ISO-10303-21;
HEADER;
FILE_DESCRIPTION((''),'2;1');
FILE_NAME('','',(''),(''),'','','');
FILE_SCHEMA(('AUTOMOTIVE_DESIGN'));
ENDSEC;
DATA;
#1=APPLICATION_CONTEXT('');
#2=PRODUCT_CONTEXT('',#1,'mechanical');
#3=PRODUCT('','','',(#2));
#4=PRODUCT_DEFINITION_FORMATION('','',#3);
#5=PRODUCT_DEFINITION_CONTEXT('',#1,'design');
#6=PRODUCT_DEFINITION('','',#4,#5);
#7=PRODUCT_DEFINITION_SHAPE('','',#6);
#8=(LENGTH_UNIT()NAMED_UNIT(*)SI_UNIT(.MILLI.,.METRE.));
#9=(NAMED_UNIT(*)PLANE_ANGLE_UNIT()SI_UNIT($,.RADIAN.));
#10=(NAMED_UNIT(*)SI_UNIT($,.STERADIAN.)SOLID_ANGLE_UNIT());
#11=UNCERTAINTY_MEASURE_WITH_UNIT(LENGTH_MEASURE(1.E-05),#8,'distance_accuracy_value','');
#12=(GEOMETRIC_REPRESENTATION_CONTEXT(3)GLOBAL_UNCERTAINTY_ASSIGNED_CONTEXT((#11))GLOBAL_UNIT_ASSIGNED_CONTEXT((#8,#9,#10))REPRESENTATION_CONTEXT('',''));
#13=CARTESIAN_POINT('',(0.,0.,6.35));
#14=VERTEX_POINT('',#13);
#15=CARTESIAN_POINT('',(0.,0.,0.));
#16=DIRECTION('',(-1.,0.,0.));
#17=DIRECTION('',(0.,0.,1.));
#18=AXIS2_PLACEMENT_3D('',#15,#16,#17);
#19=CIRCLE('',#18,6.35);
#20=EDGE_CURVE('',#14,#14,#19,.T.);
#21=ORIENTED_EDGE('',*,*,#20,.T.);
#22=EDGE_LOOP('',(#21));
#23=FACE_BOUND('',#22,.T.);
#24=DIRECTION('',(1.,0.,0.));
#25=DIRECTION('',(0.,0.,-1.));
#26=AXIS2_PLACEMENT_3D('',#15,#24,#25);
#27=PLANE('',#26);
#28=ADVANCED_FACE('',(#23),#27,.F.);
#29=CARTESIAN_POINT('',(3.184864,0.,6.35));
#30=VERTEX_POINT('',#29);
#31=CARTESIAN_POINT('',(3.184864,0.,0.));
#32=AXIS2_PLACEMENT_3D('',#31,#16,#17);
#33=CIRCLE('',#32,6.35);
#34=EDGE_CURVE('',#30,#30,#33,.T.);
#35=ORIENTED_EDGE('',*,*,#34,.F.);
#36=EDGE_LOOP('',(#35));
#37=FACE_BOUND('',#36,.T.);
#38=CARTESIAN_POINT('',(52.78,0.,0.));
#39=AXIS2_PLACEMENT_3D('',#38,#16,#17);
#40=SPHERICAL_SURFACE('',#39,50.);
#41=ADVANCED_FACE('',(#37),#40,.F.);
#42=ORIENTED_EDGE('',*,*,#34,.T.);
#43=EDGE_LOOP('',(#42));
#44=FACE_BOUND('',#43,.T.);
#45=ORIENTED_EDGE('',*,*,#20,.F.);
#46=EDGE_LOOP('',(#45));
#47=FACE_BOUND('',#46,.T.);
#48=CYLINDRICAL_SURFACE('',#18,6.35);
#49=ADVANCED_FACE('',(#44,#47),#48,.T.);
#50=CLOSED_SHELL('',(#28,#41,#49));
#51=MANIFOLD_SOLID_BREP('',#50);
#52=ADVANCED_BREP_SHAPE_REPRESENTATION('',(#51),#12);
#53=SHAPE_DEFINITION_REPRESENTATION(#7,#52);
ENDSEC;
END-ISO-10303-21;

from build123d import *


with BuildPart() as part:
    # 草图1 → 旋转1 (revolve)
    with BuildSketch(Plane(origin=(0, 0, 0), x_dir=(1, 0, 0), z_dir=(0, 1, 0)), mode=Mode.PRIVATE) as revolve_1_sk:
        with BuildLine():
            Line((0, 0), (2.78, 0))
            ThreePointArc((2.78, 0), (2.881318692, 3.181446801), (3.18486415, 6.35))
            Line((3.18486415, 6.35), (0, 6.35))
            Line((0, 6.35), (0, 0))
        make_face()
    revolve(revolve_1_sk.sketch.rotate(Axis((0, 0, 0), (1, 0, 0)), 180), axis=Axis((0, 0, 0), (1, 0, 0)))  # turned: the seam where the file's is


solid = part.part
